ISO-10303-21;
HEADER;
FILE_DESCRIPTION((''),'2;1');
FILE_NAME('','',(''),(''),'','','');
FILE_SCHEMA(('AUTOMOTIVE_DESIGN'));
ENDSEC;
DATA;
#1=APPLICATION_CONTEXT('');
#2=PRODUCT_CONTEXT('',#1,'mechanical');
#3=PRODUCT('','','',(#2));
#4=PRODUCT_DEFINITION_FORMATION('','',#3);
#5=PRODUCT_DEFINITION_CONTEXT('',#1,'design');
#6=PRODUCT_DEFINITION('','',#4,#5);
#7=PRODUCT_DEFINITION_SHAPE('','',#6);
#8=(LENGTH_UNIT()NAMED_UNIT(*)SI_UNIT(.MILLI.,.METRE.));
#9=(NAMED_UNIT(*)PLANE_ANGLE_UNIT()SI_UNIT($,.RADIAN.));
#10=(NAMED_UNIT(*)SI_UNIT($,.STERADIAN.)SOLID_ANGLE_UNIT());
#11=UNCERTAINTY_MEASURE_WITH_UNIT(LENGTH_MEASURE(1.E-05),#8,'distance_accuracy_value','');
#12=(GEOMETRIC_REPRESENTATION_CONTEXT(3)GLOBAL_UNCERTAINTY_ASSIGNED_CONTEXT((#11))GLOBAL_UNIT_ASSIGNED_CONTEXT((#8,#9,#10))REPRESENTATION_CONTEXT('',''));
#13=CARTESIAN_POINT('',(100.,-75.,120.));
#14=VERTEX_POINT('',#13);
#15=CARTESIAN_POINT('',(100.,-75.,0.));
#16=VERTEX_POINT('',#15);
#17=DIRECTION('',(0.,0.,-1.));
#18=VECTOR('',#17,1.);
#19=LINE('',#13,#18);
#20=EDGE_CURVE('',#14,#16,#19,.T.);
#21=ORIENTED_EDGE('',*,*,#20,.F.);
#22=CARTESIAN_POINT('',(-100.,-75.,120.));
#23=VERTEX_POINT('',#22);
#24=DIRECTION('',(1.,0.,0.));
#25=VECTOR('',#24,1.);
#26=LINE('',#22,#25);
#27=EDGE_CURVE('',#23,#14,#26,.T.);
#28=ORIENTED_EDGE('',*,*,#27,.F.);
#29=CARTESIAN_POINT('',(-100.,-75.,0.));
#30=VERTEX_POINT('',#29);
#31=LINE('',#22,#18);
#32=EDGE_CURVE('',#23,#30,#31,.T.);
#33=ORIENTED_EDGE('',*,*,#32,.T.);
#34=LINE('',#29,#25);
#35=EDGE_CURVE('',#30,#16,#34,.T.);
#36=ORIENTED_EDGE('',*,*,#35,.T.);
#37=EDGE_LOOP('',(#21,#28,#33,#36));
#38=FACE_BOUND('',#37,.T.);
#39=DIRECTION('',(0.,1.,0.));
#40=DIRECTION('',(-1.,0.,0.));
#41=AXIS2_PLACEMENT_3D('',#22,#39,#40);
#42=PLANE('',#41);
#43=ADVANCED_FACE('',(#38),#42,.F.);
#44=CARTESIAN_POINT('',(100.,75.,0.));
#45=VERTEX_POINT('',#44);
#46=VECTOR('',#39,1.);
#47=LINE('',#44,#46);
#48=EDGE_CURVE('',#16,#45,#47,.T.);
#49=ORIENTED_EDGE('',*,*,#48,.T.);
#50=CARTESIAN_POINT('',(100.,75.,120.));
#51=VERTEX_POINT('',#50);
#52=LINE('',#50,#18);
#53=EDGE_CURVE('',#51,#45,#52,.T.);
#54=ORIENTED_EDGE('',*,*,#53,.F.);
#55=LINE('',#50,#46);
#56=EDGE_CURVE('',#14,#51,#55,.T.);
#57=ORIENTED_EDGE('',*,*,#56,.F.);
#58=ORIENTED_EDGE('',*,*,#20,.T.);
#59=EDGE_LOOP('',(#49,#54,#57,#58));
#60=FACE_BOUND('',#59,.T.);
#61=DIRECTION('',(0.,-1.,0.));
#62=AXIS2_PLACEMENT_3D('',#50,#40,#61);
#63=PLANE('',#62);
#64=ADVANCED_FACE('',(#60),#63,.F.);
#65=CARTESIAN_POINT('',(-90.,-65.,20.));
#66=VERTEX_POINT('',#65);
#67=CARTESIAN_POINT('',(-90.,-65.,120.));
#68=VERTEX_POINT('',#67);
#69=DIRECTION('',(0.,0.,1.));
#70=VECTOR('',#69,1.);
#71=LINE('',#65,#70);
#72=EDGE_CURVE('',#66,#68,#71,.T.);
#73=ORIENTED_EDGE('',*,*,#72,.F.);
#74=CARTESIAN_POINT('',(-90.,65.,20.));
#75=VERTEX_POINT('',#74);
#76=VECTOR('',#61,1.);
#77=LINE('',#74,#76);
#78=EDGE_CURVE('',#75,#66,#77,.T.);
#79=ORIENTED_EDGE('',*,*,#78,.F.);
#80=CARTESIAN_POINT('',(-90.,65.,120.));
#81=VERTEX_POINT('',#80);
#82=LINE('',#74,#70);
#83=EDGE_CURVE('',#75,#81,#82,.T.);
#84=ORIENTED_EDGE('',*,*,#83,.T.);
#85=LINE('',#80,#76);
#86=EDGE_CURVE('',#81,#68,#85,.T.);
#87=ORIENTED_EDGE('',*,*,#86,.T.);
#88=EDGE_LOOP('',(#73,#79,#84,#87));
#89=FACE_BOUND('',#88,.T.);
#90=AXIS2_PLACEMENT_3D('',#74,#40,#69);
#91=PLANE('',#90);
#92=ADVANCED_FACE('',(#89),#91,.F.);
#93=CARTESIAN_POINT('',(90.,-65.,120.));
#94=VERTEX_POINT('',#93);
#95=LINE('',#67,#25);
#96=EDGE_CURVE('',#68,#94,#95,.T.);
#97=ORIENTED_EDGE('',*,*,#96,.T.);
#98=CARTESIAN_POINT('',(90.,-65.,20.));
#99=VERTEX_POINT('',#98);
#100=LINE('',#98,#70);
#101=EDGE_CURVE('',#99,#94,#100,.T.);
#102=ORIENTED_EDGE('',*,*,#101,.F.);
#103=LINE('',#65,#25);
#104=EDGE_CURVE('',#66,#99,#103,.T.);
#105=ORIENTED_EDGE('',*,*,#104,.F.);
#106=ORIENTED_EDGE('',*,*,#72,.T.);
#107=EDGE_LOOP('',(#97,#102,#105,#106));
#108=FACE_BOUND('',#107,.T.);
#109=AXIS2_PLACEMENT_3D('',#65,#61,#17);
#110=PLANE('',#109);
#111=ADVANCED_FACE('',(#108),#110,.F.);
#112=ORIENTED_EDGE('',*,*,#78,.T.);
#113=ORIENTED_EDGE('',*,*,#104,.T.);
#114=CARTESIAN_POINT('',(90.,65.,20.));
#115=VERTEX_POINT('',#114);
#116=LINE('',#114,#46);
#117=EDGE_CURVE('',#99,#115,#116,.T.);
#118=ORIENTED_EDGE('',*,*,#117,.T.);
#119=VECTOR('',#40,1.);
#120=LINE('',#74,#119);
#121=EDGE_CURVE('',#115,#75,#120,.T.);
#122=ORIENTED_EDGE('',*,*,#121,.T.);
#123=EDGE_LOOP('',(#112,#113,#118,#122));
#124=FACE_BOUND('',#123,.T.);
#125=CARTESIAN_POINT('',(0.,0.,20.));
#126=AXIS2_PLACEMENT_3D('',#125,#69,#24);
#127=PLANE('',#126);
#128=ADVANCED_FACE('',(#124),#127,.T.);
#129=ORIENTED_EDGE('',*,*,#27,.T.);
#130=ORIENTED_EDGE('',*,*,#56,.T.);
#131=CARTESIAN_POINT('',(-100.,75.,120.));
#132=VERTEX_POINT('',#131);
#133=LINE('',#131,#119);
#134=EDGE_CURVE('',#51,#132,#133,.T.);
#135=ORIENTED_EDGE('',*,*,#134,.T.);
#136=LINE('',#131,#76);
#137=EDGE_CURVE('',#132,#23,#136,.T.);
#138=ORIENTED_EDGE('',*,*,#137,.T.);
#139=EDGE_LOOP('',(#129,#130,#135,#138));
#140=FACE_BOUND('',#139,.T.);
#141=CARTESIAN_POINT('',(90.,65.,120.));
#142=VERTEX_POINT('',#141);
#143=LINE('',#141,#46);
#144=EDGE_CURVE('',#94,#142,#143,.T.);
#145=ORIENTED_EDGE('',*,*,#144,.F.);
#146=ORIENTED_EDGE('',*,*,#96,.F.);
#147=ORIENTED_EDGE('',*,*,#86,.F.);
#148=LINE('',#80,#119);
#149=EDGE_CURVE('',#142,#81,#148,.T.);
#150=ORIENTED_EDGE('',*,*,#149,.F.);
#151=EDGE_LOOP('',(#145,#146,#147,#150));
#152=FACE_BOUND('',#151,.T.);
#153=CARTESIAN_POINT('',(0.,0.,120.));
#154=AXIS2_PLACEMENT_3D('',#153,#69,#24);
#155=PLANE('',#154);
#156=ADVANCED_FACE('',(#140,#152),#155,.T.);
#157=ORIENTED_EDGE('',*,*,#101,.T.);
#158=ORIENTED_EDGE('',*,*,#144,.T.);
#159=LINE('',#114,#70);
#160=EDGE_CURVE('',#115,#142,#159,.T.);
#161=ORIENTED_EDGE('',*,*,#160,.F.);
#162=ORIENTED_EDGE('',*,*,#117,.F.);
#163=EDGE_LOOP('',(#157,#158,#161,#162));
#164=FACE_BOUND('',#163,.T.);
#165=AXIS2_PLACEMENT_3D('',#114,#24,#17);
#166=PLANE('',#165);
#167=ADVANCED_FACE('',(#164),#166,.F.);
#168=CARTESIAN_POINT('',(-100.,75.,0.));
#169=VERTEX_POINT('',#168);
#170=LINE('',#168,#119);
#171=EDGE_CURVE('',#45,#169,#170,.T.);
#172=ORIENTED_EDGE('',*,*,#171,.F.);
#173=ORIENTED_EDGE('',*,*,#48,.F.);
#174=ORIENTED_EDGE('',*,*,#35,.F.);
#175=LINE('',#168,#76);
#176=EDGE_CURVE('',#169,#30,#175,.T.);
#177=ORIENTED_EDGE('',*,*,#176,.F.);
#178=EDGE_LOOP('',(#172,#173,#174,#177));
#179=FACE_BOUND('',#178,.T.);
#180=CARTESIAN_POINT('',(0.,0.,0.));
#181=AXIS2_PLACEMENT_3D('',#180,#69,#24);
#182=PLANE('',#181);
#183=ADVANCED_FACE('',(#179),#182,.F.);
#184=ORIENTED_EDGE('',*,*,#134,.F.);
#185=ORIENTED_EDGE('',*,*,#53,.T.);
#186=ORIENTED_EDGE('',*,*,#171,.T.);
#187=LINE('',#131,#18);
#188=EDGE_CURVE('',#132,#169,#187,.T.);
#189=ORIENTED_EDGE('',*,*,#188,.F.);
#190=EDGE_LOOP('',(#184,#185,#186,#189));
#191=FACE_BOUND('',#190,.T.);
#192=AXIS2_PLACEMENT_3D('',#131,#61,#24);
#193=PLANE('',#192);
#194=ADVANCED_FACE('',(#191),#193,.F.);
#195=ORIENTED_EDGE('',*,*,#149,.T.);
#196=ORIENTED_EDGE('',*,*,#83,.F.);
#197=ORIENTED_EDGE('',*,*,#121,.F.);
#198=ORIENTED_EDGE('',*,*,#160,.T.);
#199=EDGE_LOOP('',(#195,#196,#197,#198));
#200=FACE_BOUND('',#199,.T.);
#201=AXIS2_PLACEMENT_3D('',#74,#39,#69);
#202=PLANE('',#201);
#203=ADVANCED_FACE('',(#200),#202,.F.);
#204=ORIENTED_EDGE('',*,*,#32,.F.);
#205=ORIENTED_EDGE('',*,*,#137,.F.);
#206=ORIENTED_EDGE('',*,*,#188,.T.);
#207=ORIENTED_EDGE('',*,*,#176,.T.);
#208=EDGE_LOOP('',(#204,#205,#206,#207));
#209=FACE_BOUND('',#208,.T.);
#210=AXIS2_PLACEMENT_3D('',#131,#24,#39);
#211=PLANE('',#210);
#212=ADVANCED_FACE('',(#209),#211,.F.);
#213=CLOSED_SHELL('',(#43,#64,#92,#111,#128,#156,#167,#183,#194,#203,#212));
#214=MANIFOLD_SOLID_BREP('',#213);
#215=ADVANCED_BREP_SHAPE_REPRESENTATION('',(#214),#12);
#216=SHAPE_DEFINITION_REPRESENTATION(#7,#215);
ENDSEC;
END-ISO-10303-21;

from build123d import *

# Parameters (mm, degrees)
SKIZZE1_W                       = 200
SKIZZE1_H                       = 150
AUFSATZ_LINEAR_AUSTRAGEN1_DEPTH = 120
SKIZZE2_W                       = 180
SKIZZE2_H                       = 130
SCHNITT_LINEAR_AUSTRAGEN1_DEPTH = 100


with BuildPart() as part:
    # Skizze1 → Aufsatz-Linear austragen1 (new body)
    with BuildSketch(Plane.XY):
        Rectangle(SKIZZE1_W, SKIZZE1_H)
    extrude(amount=AUFSATZ_LINEAR_AUSTRAGEN1_DEPTH)

    # Skizze2 → Schnitt-Linear austragen1 (cut)
    with BuildSketch(Plane.XY.offset(120)):
        Rectangle(SKIZZE2_W, SKIZZE2_H)
    extrude(amount=-SCHNITT_LINEAR_AUSTRAGEN1_DEPTH, mode=Mode.SUBTRACT)


solid = part.part
